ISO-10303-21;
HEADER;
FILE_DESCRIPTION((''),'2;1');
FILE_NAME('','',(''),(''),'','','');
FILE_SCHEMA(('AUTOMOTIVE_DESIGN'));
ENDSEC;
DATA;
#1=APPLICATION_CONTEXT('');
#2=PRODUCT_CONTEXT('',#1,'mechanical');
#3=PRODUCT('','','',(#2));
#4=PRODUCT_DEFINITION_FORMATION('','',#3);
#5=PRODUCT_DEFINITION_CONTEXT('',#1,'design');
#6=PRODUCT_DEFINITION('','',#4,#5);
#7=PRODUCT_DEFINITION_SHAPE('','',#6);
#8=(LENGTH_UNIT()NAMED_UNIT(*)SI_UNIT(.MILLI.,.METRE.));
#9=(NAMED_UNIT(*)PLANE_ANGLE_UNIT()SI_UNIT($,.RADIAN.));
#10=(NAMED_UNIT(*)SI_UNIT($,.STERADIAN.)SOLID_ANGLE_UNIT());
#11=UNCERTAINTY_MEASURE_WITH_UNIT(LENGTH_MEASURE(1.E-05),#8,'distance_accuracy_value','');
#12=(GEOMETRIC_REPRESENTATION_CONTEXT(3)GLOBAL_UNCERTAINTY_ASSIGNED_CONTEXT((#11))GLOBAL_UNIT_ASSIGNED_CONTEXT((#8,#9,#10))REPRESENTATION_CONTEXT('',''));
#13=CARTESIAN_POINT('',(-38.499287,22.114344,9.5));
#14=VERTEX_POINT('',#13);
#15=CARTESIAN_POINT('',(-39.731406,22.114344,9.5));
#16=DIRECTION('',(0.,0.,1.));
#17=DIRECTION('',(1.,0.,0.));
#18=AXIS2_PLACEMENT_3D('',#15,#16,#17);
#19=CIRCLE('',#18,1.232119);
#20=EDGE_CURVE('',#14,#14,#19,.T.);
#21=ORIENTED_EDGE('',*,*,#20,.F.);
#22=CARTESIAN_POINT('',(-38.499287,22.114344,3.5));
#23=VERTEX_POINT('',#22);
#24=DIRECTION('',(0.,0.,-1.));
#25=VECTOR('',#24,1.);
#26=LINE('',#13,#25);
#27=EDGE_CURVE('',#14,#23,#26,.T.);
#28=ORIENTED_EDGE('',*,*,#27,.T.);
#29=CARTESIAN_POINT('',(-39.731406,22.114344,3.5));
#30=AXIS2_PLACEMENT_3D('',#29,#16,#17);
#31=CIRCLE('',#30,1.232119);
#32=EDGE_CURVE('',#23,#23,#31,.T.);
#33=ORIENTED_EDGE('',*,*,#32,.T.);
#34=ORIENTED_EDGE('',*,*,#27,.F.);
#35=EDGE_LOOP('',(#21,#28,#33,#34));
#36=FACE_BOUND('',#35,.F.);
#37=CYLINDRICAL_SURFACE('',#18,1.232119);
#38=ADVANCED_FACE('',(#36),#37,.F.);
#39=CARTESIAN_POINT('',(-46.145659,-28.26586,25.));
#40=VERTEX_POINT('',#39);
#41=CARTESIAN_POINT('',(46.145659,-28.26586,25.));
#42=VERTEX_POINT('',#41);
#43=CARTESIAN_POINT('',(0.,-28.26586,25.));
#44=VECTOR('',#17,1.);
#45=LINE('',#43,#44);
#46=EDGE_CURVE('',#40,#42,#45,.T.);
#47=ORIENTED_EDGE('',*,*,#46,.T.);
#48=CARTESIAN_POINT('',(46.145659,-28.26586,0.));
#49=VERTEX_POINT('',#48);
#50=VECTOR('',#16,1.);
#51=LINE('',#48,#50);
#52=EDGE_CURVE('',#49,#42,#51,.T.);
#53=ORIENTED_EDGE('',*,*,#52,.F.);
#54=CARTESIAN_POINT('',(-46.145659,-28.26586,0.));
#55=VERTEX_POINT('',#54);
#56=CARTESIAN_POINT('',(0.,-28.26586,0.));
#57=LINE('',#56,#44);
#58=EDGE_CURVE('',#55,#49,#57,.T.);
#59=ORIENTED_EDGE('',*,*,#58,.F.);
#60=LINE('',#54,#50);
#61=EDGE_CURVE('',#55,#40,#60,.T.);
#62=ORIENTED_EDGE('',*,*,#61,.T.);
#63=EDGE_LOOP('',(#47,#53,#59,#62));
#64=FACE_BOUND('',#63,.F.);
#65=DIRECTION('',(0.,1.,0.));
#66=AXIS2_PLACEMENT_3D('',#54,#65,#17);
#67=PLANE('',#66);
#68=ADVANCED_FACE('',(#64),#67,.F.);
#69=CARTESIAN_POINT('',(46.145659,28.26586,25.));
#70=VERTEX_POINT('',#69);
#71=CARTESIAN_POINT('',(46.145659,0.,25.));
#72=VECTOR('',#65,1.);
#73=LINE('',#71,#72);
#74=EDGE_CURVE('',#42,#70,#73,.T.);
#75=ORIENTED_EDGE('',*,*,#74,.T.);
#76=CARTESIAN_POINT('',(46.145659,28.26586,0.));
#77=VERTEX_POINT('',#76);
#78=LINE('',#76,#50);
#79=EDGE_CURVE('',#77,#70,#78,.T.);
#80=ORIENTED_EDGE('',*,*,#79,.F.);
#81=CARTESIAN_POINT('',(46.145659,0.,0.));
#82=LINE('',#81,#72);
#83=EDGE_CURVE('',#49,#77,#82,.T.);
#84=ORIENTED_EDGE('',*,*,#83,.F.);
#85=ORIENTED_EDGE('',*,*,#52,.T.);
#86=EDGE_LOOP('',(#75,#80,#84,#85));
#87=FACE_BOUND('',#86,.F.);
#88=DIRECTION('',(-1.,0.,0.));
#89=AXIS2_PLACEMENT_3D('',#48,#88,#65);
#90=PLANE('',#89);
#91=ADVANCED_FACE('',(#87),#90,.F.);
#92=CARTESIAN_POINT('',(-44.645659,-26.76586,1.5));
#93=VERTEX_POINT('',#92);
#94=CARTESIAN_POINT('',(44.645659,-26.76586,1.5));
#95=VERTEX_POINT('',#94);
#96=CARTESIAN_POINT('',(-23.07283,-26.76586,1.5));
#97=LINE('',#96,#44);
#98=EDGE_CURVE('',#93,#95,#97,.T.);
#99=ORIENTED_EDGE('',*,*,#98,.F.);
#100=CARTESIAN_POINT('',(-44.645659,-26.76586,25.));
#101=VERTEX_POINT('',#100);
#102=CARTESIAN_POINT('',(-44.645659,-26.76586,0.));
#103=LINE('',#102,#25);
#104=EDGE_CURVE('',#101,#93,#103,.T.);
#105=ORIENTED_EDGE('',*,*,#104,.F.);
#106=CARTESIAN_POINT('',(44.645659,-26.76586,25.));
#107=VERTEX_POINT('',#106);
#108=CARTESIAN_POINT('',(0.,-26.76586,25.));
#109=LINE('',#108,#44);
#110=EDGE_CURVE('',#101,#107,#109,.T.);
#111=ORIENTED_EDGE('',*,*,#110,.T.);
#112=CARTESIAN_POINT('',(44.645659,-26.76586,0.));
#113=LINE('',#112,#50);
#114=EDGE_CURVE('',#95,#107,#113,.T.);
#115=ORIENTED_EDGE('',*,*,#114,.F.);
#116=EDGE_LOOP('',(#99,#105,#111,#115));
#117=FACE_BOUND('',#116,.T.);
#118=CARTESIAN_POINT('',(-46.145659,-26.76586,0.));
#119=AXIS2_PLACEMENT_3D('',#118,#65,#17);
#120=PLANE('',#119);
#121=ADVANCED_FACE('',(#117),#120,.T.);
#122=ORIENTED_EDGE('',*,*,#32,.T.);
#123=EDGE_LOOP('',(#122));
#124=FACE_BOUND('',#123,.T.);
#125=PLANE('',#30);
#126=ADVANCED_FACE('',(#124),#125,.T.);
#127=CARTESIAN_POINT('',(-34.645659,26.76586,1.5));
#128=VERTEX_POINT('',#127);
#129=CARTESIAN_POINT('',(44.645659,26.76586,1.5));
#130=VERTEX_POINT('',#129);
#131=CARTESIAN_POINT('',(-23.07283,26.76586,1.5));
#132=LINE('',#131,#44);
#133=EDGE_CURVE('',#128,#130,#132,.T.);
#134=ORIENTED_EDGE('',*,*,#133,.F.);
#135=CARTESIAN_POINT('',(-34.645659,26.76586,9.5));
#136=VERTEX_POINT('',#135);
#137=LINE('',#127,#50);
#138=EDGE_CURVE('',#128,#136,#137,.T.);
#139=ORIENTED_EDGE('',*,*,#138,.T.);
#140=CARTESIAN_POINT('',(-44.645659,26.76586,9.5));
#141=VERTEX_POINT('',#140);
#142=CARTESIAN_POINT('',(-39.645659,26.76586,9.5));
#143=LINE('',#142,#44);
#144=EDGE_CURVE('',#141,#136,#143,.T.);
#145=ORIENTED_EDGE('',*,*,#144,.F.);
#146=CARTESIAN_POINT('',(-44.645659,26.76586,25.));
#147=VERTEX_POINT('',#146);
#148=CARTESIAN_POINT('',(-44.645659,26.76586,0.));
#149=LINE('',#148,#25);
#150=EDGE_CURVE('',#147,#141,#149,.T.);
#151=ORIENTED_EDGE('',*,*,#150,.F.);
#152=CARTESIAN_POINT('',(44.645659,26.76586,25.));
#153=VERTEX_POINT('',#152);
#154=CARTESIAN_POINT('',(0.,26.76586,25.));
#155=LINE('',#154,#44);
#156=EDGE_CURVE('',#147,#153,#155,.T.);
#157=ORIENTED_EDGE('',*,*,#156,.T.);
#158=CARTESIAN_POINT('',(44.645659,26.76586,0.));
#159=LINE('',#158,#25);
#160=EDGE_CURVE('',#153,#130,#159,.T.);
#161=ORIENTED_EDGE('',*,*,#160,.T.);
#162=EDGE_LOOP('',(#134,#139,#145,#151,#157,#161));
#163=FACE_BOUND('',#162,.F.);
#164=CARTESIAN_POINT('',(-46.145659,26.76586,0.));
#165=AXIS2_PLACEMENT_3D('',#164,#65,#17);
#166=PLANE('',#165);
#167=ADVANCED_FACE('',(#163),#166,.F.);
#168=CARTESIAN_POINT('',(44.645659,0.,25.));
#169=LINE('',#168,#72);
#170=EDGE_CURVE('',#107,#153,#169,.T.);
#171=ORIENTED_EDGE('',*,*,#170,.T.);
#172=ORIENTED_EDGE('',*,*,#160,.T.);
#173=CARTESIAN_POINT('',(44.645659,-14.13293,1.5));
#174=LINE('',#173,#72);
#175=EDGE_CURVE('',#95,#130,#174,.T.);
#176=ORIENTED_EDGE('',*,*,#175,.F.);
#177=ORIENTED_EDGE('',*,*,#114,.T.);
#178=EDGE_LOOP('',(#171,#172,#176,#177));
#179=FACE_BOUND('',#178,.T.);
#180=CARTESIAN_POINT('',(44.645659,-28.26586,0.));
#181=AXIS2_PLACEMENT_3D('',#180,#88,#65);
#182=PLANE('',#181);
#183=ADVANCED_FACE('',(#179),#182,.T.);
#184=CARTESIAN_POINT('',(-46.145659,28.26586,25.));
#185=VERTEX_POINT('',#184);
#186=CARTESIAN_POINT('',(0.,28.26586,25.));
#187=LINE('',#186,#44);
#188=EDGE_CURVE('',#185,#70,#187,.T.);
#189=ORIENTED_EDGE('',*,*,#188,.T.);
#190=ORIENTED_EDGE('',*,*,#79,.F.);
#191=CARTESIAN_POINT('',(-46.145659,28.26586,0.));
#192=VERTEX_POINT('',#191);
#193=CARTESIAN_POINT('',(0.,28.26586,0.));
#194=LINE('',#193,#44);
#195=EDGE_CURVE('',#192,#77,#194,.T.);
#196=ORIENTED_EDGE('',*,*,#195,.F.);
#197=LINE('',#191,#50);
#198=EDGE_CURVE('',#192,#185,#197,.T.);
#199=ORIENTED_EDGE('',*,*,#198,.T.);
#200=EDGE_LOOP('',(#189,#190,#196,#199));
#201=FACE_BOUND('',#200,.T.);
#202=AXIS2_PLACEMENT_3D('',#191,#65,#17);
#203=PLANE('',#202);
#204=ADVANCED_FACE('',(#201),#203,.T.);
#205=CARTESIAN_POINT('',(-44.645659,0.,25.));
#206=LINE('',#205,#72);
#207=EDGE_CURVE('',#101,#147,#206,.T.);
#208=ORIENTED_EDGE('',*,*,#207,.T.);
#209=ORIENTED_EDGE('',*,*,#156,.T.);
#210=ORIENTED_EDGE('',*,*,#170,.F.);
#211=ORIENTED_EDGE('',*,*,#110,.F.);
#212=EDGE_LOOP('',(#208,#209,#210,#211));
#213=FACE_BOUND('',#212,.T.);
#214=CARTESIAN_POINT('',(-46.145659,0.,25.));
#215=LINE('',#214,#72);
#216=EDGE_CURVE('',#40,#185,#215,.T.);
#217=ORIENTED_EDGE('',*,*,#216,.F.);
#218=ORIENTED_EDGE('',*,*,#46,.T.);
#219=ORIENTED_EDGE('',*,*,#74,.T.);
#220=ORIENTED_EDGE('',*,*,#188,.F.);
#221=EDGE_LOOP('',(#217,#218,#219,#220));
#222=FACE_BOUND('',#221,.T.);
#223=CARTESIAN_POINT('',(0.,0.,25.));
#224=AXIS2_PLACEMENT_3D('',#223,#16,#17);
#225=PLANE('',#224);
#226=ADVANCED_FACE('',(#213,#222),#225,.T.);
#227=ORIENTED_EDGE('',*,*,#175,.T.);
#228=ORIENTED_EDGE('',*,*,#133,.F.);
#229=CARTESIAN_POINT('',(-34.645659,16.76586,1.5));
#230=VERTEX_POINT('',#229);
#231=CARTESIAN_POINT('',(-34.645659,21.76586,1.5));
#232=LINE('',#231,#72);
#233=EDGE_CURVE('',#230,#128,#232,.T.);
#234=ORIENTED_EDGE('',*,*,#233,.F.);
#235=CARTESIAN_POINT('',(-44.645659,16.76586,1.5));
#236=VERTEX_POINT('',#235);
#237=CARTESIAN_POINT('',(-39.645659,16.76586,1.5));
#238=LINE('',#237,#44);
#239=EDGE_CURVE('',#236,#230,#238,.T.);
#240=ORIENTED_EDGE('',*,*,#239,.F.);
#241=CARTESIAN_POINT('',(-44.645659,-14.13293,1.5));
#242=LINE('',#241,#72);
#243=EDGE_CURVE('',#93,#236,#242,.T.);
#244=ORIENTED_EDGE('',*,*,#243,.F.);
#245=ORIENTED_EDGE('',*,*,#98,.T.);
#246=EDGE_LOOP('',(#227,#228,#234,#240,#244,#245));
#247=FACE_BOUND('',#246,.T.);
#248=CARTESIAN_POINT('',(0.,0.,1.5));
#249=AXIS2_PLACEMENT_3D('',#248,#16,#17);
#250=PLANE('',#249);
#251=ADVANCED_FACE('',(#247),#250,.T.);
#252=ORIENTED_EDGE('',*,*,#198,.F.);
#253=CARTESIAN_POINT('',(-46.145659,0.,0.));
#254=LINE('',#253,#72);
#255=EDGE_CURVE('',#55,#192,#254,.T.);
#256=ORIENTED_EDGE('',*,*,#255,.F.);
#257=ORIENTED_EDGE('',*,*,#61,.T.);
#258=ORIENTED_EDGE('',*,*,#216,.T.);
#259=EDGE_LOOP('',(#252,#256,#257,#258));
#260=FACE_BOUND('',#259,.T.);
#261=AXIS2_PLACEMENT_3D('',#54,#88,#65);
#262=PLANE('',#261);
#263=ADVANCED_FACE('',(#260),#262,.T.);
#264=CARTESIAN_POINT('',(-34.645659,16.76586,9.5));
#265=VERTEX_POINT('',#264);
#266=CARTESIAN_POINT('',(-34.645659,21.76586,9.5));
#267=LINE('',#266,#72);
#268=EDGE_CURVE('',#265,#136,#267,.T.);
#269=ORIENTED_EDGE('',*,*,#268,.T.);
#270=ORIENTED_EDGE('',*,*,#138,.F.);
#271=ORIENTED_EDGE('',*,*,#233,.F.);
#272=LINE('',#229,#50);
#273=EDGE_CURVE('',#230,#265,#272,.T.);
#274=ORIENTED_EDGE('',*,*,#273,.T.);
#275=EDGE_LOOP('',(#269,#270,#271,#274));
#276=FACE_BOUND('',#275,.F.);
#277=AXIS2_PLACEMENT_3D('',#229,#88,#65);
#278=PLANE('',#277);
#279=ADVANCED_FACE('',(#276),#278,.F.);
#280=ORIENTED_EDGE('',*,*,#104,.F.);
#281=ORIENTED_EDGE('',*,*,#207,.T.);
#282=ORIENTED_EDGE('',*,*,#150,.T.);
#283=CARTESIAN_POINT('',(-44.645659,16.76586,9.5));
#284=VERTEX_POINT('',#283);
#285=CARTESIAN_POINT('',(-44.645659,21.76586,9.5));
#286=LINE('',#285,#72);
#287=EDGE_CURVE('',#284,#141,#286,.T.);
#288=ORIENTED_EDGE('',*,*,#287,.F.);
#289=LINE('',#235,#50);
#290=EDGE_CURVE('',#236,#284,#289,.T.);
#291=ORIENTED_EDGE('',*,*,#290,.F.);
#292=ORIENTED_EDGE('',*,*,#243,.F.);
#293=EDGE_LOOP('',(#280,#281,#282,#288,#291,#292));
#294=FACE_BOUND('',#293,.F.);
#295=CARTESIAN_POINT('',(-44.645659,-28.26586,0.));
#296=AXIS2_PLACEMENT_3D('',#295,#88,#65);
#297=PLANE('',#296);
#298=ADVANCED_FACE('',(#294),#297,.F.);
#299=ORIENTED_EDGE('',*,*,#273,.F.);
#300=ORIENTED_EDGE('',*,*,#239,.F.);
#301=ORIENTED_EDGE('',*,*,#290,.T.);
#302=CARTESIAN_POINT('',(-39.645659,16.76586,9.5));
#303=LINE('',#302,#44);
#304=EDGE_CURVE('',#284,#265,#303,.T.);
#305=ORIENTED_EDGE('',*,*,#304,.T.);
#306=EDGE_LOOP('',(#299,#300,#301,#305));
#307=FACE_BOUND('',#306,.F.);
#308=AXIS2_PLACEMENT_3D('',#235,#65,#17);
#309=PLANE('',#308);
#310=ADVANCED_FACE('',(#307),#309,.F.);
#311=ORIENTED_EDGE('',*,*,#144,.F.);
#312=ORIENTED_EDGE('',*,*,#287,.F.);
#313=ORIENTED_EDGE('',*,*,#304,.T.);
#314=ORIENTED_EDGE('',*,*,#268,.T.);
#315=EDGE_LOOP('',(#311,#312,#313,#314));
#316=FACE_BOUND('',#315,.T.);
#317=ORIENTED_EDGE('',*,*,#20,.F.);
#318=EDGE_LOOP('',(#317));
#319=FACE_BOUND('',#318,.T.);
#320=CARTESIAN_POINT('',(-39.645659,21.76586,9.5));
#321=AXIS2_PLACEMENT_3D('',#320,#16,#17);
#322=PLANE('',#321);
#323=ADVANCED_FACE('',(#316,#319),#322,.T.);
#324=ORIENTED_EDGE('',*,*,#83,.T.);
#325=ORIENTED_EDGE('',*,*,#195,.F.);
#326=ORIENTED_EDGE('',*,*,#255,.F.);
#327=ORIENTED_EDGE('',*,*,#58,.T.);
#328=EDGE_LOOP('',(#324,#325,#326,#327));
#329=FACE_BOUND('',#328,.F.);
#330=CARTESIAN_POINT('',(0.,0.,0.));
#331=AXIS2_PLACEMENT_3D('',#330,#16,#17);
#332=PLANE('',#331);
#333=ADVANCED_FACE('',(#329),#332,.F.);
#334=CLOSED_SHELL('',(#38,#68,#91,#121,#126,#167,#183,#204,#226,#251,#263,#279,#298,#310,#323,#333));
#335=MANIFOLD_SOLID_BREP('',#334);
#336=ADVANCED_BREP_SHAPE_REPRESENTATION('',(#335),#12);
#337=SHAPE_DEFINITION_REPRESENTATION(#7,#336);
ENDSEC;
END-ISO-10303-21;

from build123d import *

# Parameters (mm, degrees)
F0_W     = 92.291318
F0_H     = 56.53172
F1_DEPTH = 25
F2_T     = -1.5
F3_W     = 10
F3_H     = 10
F4_DEPTH = 8
F5_R     = 1.232119
F6_DEPTH = 6


with BuildPart() as f1:
    # F0 (on Top) → F1 (new body)
    with BuildSketch(Plane.XY):
        Rectangle(F0_W, F0_H)
    extrude(amount=F1_DEPTH)

    # F2
    f2_openings = [f1.faces().sort_by_distance(p)[0] for p in [
        (0, 0, 25),
    ]]
    offset(amount=F2_T, openings=f2_openings)

    # F3 (on face) → F4 (join)
    with BuildSketch(Plane.XY.offset(1.5)):
        with Locations((-39.645659, 21.76586)):
            Rectangle(F3_W, F3_H)
    extrude(amount=F4_DEPTH)

    # F5 (on face) → F6 (cut)
    with BuildSketch(Plane.XY.offset(9.5)):
        with Locations((-39.731406, 22.114344)):
            Circle(F5_R)
    extrude(amount=-F6_DEPTH, mode=Mode.SUBTRACT)


solid = f1.part
